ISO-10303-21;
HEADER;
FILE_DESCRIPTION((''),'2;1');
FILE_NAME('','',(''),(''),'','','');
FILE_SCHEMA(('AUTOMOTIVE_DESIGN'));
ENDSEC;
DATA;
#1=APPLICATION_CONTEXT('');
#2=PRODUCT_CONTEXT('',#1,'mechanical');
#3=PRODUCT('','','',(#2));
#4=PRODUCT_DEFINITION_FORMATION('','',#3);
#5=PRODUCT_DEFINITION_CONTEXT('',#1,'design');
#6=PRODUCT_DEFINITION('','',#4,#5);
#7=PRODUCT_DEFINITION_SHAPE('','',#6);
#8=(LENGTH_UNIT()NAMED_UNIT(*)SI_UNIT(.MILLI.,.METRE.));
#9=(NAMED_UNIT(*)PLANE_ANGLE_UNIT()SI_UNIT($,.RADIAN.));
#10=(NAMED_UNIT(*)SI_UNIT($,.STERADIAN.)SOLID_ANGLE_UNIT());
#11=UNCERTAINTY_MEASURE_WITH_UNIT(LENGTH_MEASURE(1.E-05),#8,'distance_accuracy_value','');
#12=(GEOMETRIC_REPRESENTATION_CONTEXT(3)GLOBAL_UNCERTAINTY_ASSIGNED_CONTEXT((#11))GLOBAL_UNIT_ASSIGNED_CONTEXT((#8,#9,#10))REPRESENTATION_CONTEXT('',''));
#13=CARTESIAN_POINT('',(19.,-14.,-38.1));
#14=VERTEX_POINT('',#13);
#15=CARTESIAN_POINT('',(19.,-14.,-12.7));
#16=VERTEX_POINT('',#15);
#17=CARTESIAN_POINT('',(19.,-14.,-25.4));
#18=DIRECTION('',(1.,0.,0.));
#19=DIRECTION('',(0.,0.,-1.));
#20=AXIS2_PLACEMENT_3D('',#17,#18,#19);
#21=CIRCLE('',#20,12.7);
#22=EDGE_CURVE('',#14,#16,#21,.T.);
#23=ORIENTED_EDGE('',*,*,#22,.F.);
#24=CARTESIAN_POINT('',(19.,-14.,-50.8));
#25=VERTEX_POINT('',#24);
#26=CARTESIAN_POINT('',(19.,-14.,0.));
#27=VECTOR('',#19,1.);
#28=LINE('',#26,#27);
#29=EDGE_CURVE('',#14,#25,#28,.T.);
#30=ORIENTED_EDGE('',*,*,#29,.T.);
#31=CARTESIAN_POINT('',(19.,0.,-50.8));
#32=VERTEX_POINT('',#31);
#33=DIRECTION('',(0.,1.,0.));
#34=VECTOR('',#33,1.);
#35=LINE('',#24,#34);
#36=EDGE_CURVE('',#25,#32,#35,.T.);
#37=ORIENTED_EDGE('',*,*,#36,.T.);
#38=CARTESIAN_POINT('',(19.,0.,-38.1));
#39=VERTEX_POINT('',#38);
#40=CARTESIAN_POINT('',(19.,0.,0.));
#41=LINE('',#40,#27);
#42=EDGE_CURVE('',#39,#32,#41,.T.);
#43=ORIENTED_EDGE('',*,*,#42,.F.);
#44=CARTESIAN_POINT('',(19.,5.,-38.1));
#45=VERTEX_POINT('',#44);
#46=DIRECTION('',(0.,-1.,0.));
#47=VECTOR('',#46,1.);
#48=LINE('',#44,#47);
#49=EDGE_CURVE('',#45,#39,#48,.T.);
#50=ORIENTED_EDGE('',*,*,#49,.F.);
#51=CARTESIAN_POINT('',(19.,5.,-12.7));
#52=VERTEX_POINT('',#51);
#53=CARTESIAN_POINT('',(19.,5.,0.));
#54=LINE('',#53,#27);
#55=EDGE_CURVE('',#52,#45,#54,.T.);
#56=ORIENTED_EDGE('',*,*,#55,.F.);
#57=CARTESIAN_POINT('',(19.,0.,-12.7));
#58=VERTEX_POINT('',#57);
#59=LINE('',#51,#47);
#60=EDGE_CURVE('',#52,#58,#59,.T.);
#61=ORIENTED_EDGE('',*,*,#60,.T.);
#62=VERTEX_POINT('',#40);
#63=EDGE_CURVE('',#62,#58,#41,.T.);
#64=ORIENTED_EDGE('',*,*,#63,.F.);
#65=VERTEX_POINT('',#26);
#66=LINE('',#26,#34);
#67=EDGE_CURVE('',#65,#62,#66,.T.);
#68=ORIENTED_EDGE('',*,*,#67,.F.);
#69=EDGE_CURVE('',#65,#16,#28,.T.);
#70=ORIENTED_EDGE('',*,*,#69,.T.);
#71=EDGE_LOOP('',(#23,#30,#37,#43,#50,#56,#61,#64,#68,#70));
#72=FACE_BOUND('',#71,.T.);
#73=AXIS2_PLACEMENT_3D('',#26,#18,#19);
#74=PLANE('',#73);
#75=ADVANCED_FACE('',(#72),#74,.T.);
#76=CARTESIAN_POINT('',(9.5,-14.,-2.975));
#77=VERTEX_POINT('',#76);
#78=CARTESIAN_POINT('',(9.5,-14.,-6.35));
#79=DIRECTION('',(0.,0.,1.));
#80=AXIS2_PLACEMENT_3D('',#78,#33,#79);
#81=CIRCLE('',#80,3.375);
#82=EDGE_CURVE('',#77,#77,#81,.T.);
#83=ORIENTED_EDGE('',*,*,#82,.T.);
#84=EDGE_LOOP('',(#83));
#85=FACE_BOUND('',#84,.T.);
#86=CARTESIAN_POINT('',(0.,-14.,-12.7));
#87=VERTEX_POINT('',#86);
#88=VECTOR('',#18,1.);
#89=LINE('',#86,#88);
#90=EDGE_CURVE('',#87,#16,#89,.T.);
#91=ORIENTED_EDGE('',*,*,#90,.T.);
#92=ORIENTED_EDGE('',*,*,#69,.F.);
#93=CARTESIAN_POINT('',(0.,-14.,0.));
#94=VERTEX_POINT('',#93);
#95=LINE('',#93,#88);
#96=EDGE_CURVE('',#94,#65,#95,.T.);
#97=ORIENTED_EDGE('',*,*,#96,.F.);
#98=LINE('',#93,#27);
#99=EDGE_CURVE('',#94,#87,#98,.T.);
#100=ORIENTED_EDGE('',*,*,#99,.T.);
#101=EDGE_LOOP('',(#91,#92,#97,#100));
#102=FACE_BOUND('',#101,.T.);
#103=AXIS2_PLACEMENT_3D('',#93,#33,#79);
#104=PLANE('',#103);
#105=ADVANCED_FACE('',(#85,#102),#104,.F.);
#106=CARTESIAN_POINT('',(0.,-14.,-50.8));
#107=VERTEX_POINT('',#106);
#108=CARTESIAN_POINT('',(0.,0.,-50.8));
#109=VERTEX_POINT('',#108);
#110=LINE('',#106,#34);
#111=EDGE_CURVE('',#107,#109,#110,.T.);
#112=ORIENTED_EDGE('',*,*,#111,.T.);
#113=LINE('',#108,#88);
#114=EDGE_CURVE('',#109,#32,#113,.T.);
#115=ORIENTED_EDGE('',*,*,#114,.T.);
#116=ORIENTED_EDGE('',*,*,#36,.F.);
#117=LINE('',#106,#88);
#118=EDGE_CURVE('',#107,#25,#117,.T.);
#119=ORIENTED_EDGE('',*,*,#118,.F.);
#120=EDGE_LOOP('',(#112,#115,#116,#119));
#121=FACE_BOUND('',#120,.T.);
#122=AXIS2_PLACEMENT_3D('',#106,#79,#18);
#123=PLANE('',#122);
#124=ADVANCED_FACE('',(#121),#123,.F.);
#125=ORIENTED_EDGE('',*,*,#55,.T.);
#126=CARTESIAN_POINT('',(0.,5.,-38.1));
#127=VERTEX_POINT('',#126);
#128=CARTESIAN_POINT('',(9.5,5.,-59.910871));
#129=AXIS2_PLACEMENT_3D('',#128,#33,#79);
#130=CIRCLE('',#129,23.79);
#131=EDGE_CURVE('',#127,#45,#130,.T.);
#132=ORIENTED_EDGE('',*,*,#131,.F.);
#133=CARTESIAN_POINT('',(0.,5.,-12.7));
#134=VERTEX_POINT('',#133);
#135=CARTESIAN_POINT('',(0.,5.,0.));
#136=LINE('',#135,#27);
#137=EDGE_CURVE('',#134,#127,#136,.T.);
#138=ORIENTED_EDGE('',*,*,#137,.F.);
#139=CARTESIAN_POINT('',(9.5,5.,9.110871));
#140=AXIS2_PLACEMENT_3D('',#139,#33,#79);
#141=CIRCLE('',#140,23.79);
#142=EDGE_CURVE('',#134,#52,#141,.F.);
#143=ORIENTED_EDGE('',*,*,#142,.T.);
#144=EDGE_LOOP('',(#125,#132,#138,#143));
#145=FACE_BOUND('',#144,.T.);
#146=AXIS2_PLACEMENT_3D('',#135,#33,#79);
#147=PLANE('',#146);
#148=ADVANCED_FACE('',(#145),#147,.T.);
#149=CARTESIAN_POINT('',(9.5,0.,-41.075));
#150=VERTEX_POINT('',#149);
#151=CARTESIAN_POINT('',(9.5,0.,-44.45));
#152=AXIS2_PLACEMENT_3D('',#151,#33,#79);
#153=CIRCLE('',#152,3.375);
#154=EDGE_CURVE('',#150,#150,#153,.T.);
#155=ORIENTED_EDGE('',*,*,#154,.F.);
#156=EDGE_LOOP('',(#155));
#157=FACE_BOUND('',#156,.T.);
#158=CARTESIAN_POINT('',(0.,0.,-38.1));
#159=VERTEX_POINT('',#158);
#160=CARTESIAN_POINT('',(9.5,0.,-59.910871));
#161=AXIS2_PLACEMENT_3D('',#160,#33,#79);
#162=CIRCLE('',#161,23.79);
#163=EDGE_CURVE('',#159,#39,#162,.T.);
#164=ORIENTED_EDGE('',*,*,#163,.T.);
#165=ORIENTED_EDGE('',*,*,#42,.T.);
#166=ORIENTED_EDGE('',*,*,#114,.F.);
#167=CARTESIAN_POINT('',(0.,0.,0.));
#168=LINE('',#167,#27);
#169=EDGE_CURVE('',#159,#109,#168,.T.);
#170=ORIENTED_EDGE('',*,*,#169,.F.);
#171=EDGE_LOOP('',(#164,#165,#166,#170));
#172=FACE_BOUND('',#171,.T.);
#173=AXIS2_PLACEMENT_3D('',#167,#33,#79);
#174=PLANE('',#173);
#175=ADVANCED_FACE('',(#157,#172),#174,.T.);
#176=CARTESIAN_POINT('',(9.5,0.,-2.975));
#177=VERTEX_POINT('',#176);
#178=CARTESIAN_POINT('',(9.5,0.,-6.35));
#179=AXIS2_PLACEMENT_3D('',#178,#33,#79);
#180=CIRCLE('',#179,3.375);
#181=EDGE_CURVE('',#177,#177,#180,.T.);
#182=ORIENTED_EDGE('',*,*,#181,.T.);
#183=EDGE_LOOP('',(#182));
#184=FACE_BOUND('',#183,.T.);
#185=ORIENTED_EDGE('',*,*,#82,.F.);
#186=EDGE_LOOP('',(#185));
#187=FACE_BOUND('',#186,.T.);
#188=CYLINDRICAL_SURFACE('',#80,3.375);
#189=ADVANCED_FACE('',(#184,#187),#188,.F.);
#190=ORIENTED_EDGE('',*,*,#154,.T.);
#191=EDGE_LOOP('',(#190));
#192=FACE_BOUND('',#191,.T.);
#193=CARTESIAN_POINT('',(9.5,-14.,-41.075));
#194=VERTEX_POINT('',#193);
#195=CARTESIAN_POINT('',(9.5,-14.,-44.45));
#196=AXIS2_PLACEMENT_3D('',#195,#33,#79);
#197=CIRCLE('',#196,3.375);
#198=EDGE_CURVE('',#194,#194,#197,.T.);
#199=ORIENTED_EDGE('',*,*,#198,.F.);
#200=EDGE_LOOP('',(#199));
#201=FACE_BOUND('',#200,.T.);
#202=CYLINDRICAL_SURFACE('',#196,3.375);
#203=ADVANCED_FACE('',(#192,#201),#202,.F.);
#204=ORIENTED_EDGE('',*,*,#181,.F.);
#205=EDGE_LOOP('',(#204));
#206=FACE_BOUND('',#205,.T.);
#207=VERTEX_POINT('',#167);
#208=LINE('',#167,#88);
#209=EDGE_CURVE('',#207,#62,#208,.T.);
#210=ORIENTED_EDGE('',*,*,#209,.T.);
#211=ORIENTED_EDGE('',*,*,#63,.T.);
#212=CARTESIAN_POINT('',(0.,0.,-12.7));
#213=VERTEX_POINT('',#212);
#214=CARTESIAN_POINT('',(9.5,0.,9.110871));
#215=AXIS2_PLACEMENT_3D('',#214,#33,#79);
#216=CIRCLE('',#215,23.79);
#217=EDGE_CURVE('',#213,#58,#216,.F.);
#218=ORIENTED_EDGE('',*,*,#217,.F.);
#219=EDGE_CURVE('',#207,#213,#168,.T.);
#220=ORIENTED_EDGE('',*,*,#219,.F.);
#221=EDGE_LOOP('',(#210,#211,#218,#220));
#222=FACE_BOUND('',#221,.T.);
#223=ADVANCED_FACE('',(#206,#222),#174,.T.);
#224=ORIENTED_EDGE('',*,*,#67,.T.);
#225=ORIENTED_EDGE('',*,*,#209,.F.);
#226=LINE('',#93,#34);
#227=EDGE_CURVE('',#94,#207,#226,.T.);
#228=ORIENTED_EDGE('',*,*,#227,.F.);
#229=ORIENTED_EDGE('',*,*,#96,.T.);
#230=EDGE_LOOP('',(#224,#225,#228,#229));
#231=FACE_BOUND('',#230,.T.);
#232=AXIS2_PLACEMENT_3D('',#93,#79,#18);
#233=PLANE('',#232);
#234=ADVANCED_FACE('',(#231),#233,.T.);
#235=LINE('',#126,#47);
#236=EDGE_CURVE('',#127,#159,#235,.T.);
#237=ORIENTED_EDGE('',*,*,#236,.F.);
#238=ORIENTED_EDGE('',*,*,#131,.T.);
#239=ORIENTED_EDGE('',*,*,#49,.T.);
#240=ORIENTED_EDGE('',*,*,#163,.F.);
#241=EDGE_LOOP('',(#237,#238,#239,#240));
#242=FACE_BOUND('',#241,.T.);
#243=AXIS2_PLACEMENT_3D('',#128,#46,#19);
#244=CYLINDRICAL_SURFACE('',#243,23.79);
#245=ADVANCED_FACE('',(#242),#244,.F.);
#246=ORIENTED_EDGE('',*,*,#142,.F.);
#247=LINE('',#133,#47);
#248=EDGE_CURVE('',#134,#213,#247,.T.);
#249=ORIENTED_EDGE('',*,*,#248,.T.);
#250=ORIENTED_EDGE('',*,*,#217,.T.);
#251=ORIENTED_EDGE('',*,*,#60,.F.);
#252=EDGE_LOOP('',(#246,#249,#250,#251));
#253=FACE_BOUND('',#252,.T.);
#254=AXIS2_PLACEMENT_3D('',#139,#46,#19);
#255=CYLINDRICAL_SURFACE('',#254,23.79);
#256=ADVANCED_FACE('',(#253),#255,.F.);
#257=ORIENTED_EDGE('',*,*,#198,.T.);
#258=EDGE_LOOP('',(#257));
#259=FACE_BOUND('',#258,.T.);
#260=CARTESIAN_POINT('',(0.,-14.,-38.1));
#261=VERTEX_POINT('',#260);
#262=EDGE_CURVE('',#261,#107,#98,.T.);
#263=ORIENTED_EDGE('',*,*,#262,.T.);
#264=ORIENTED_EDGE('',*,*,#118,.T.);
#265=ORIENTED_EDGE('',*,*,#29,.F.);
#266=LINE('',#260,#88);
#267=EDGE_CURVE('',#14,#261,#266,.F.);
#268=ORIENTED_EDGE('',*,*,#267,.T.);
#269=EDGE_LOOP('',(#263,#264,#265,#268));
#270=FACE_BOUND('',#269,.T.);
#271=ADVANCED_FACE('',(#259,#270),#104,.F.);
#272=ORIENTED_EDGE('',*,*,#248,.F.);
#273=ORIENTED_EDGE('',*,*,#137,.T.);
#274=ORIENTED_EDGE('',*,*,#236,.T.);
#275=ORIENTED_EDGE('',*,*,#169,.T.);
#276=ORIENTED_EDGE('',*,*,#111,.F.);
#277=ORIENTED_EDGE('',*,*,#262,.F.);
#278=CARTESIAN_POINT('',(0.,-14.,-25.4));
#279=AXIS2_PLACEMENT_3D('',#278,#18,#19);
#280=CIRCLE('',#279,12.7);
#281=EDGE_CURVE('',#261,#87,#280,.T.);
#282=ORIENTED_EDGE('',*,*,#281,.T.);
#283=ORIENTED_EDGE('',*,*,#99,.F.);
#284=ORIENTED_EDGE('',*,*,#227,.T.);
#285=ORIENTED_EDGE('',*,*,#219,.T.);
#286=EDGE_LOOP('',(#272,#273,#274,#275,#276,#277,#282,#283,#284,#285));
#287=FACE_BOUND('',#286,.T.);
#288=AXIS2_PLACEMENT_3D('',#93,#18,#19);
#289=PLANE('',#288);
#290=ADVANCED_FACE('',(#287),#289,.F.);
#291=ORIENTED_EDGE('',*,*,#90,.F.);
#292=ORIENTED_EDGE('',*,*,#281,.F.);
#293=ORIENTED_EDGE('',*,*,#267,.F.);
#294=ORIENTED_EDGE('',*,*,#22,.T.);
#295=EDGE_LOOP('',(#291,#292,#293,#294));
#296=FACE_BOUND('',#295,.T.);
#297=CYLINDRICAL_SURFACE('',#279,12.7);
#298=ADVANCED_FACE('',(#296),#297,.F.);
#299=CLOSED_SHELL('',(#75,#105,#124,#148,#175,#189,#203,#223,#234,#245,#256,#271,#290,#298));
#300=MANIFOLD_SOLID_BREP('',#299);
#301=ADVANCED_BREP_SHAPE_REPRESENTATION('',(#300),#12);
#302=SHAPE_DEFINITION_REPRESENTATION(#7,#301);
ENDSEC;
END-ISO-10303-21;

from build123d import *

# Parameters (mm, degrees)
SKETCH1_W           = 19
SKETCH1_H           = 50.8
SKETCH1_R           = 3.375
BOSS_EXTRUDE1_DEPTH = 14
BOSS_EXTRUDE2_DEPTH = 5
SKETCH2_R           = 12.7
CUT_EXTRUDE1_DEPTH  = 57.014640943


with BuildPart() as part:
    # Sketch1 → Boss-Extrude1 (new body)
    with BuildSketch(Plane(origin=(0, 0, 0), x_dir=(1, 0, 0), z_dir=(0, 1, 0))):
        with Locations((9.5, 25.4)):
            Rectangle(SKETCH1_W, SKETCH1_H)
        with Locations((9.5, 6.35)):
            Circle(SKETCH1_R, mode=Mode.SUBTRACT)
        with Locations((9.5, 44.45)):
            Circle(SKETCH1_R, mode=Mode.SUBTRACT)
    extrude(amount=-BOSS_EXTRUDE1_DEPTH)

    # Sketch1<3> → Boss-Extrude2 (add)
    with BuildSketch(Plane(origin=(0, 0, 0), x_dir=(1, 0, 0), z_dir=(0, 1, 0))):
        with BuildLine():
            Line((0, 38.1), (0, 12.7))
            ThreePointArc((0, 12.7), (9.5, 14.679128857), (19, 12.7))
            Line((19, 12.7), (19, 38.1))
            ThreePointArc((19, 38.1), (9.5, 36.120871143), (0, 38.1))
        make_face()
    extrude(amount=BOSS_EXTRUDE2_DEPTH)

    # Sketch2 → Cut-Extrude1 (cut, through all)
    with BuildSketch(Plane(origin=(19, 0, 0), x_dir=(0, 0, -1), z_dir=(1, 0, 0))):
        with Locations((25.4, -14)):
            Circle(SKETCH2_R)
    extrude(amount=-CUT_EXTRUDE1_DEPTH, mode=Mode.SUBTRACT)


solid = part.part
